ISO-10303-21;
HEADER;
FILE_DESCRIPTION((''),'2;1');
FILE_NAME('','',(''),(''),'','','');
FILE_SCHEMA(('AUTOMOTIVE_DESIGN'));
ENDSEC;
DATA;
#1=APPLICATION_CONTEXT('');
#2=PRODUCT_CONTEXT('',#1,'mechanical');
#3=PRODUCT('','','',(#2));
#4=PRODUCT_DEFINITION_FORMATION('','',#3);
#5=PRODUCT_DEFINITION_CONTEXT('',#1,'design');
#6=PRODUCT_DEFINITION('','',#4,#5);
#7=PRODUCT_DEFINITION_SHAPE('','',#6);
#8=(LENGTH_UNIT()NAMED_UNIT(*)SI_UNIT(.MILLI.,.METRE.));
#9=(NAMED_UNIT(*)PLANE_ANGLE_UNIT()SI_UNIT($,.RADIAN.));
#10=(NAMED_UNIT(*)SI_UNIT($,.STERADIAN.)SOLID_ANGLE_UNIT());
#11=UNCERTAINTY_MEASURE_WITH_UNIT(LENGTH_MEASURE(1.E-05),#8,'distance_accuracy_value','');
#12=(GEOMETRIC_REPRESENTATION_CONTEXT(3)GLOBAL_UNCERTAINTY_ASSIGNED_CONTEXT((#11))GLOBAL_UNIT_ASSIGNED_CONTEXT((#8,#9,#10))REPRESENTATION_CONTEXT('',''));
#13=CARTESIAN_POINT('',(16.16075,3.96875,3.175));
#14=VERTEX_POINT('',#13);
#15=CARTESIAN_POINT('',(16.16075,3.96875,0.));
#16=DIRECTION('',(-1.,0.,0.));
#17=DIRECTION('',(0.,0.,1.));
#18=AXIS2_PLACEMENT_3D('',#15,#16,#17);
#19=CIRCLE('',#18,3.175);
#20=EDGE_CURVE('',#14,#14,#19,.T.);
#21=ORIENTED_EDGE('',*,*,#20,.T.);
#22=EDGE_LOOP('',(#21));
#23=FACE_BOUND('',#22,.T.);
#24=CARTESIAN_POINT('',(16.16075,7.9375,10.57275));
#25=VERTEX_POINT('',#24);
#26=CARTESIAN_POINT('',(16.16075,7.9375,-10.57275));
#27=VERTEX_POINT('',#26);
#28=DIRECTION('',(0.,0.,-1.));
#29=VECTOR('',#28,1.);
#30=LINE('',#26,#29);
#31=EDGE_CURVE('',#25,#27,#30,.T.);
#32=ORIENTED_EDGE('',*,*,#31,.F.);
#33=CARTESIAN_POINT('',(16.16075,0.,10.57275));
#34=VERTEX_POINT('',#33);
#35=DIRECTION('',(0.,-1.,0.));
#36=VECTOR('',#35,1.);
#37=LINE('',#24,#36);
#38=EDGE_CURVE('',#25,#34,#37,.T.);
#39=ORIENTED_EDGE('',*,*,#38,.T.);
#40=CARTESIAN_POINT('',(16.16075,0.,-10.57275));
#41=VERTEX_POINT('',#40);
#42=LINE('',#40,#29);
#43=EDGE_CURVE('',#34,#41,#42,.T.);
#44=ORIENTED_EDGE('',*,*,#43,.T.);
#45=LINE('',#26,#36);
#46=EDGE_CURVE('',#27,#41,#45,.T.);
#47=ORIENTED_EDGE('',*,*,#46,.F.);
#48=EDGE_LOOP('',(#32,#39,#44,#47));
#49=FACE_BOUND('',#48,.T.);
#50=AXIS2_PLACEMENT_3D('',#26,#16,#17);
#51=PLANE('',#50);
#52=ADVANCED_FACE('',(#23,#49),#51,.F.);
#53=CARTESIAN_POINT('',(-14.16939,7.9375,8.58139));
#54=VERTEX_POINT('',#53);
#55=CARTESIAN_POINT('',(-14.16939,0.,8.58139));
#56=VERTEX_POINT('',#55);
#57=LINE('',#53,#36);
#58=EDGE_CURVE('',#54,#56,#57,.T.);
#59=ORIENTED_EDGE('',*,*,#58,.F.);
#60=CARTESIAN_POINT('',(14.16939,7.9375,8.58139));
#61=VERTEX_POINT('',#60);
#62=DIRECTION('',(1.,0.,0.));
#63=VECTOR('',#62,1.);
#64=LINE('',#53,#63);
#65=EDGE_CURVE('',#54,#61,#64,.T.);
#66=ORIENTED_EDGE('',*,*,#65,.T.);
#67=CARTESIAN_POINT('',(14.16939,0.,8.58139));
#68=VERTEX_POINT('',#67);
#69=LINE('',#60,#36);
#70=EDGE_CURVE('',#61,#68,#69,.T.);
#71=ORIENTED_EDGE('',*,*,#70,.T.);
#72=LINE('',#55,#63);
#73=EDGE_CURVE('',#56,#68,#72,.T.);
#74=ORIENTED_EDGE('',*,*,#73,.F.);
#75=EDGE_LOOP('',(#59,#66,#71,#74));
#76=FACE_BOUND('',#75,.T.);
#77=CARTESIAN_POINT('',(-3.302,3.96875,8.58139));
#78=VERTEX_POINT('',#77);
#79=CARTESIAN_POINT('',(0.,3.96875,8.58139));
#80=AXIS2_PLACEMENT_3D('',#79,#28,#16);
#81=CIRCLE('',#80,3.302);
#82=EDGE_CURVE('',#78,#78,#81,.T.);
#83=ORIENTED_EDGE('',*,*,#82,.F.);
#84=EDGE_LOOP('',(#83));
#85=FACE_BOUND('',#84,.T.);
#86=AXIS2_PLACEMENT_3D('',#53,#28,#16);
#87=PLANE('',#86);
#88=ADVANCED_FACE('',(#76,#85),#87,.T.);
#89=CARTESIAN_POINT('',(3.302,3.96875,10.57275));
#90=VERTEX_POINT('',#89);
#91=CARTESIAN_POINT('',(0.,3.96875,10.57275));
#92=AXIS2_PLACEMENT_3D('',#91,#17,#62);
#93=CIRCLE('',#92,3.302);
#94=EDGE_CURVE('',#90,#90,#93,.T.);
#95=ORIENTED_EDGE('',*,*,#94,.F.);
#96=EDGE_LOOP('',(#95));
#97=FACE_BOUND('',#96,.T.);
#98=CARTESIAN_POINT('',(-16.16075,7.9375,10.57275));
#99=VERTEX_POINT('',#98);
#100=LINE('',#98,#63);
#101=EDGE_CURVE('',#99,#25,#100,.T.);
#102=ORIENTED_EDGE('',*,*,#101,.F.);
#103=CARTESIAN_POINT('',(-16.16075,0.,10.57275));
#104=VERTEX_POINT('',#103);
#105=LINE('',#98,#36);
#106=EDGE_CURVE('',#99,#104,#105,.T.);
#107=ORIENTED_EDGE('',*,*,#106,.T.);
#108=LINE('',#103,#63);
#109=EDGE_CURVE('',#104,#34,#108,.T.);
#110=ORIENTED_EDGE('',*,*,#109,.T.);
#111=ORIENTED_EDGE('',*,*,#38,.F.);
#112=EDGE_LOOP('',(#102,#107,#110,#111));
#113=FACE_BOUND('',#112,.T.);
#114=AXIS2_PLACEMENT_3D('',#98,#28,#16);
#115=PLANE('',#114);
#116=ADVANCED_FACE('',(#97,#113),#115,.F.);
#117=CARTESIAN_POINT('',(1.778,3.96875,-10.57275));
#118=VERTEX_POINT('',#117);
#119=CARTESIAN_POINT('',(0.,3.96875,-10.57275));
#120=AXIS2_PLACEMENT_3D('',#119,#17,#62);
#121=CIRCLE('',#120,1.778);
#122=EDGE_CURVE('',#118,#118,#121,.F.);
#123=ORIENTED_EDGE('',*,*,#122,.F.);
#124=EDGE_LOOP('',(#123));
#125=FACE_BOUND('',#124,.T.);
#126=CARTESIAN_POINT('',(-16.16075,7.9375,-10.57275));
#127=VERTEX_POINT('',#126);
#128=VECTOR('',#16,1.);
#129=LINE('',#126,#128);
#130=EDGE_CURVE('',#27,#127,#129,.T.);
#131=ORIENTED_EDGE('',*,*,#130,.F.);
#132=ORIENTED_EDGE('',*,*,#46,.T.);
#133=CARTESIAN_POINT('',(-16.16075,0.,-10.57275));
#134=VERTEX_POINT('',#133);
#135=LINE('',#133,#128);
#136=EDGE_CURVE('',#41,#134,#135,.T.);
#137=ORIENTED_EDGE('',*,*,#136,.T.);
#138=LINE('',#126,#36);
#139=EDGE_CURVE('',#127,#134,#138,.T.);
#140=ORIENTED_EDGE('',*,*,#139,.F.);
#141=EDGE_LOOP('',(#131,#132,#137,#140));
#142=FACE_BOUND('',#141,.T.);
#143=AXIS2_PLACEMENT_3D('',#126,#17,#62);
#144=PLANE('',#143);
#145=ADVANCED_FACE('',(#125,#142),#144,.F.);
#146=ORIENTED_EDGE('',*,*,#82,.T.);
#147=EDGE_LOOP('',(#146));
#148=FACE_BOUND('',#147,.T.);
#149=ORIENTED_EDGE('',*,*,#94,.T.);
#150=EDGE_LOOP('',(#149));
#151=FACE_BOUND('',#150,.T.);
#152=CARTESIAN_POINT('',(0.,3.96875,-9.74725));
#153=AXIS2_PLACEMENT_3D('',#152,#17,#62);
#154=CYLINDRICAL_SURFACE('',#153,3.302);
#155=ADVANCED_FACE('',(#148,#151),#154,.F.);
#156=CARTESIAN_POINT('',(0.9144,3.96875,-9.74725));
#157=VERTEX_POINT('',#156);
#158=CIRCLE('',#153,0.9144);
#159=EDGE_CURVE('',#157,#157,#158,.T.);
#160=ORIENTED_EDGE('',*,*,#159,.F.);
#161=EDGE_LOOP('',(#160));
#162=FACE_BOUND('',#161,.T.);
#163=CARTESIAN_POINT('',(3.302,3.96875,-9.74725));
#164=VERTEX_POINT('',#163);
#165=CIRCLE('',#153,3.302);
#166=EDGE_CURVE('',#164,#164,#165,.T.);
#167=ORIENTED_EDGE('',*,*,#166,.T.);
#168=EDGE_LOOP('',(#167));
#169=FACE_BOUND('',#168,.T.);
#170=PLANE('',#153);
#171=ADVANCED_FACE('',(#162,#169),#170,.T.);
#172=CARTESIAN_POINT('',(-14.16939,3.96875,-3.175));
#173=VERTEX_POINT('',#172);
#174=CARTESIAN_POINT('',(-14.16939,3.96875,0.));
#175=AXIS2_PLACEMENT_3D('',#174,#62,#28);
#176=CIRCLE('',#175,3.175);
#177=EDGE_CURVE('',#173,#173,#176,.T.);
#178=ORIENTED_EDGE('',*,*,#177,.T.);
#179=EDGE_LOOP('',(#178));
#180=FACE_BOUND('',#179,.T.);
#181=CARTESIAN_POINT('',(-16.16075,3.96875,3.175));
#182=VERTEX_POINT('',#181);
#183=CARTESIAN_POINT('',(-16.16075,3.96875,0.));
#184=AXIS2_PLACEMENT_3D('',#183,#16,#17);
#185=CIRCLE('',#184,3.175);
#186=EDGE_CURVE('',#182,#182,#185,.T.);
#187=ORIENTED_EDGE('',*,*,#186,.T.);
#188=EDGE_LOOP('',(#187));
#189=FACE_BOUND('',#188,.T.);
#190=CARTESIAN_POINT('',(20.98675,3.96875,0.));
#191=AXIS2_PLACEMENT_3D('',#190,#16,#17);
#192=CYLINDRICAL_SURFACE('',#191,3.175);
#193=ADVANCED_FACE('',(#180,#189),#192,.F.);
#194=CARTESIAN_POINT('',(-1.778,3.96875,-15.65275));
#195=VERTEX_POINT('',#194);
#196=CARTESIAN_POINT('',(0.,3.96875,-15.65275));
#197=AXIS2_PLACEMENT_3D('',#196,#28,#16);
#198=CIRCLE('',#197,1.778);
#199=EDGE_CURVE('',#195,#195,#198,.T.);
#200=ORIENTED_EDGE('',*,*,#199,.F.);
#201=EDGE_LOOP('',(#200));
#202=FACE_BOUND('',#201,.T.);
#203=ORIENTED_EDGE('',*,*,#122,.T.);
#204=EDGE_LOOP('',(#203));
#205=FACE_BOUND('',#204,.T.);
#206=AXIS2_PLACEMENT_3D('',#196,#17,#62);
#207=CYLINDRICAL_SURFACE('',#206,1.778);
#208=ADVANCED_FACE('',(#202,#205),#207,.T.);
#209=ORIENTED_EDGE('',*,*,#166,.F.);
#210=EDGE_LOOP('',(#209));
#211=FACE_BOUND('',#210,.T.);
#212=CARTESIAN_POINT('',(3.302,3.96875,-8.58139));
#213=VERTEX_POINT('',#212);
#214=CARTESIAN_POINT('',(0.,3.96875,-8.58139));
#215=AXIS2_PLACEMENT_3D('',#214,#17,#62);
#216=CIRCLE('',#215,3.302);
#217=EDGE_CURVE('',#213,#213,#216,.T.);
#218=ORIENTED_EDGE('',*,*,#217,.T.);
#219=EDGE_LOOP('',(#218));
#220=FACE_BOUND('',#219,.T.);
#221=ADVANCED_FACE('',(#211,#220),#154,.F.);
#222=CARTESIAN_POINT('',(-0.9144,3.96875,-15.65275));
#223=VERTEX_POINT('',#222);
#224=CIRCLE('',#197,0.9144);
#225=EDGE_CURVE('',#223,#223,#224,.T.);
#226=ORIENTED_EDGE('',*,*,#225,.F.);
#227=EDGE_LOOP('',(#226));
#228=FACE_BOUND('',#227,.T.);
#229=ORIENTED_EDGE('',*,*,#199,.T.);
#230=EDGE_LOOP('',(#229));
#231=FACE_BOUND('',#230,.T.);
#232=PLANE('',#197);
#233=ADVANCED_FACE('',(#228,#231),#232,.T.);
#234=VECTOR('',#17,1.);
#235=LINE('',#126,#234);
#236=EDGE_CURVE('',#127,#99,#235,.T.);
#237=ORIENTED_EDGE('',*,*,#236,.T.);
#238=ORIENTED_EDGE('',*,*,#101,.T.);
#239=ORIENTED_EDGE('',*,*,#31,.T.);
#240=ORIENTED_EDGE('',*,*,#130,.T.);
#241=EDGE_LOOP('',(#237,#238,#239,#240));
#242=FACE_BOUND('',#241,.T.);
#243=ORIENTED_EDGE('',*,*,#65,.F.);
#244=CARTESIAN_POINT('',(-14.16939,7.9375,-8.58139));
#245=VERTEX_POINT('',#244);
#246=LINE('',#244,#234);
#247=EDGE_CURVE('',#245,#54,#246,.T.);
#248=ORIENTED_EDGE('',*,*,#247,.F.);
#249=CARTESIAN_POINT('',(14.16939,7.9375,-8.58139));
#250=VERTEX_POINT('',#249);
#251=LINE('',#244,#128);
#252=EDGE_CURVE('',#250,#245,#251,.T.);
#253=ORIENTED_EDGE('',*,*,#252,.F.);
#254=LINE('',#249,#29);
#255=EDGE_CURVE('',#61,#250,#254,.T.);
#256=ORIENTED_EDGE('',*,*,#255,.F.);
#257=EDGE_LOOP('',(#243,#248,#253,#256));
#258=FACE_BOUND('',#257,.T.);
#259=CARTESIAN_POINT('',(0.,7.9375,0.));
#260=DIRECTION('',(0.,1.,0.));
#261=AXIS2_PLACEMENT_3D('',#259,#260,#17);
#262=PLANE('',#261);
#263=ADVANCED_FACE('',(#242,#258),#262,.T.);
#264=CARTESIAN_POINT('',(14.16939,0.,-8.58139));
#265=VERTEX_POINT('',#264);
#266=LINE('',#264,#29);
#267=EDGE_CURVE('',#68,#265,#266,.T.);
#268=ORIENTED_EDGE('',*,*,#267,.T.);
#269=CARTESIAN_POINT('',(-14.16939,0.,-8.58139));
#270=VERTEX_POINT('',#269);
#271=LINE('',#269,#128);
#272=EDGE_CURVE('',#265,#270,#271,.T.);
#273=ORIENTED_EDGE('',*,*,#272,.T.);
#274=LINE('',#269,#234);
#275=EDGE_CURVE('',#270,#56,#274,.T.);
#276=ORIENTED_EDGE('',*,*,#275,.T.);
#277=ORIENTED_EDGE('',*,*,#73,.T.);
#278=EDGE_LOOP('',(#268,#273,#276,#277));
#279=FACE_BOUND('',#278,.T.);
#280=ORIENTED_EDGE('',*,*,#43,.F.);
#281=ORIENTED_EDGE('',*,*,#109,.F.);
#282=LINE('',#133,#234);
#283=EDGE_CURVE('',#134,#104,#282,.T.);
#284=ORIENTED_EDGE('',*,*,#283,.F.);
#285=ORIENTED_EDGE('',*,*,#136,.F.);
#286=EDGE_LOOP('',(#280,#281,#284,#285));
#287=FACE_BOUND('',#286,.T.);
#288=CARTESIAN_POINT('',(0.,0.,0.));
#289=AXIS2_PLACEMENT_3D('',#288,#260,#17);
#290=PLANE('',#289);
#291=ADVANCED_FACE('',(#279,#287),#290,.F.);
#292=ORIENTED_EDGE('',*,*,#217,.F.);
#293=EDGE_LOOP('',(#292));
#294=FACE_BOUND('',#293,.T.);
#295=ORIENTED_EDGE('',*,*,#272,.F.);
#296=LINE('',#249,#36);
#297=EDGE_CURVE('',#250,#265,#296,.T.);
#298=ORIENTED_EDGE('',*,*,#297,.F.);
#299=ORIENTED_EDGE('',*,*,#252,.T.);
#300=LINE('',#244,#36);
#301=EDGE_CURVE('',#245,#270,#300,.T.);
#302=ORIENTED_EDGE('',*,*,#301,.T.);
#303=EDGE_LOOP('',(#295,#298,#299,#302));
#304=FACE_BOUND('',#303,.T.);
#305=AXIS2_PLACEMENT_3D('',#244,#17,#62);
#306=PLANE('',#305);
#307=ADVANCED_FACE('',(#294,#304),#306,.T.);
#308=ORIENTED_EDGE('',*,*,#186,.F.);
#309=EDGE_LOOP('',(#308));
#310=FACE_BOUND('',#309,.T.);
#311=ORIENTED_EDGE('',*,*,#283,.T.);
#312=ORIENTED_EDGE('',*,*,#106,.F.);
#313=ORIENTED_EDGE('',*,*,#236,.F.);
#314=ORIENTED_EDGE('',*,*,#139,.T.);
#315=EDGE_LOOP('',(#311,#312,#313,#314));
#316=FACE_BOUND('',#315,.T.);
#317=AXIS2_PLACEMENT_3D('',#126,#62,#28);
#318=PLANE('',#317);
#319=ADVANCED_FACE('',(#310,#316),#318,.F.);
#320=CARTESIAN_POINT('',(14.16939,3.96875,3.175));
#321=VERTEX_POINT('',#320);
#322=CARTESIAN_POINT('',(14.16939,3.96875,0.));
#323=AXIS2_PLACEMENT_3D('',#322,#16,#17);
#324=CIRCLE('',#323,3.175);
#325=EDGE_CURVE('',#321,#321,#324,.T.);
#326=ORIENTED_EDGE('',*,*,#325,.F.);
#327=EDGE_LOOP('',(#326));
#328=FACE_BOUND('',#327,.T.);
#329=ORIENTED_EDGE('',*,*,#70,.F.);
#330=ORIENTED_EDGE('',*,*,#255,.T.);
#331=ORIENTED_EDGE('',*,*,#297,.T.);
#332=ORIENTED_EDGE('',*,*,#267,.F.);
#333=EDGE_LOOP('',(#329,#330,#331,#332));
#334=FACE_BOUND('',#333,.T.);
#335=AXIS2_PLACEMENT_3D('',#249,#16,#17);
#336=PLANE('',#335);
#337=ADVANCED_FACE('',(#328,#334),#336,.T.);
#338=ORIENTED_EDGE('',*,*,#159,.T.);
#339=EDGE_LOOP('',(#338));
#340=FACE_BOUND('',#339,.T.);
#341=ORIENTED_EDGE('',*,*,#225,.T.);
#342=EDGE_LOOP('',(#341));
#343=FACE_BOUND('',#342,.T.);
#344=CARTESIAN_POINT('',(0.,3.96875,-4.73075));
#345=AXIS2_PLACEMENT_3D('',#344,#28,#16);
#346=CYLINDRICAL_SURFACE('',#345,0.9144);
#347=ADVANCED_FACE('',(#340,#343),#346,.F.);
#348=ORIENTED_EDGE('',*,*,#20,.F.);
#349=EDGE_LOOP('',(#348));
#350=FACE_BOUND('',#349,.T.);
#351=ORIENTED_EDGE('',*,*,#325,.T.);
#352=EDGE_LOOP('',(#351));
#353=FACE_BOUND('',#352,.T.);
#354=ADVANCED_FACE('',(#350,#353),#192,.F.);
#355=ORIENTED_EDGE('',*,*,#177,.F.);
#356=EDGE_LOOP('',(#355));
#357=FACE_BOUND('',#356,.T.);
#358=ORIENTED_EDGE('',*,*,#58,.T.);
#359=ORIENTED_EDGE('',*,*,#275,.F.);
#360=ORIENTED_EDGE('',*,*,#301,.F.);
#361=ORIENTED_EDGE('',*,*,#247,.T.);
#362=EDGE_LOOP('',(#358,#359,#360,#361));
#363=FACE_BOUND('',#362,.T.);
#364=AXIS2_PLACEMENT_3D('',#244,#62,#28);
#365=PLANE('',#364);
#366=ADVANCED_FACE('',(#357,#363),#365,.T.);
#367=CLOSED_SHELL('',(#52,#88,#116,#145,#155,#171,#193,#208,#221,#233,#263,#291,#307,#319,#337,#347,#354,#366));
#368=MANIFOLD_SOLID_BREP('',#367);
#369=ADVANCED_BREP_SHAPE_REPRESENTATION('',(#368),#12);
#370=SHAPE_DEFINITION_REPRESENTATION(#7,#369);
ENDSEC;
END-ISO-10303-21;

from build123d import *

# Parameters (mm, degrees)
SKETCH1_W           = 32.3215
SKETCH1_H           = 21.1455
SKETCH1_W_2         = 28.33878
SKETCH1_H_2         = 17.16278
BOSS_EXTRUDE1_DEPTH = 7.9375
SKETCH2_R           = 3.175
CUT_EXTRUDE1_DEPTH  = 37.1475
SKETCH3_R           = 3.302
CUT_EXTRUDE2_DEPTH  = 20.32
SKETCH4_R           = 1.778
BOSS_EXTRUDE3_DEPTH = 5.08
SKETCH6_R           = 0.9144
CUT_EXTRUDE3_DEPTH  = 10.922


with BuildPart() as part:
    # Sketch1 → Boss-Extrude1 (new body)
    with BuildSketch(Plane(origin=(0, 0, 0), x_dir=(1, 0, 0), z_dir=(0, 1, 0))):
        Rectangle(SKETCH1_W, SKETCH1_H)
        Rectangle(SKETCH1_W_2, SKETCH1_H_2, mode=Mode.SUBTRACT)
    extrude(amount=BOSS_EXTRUDE1_DEPTH)

    # Sketch2 → Cut-Extrude1 (cut)
    with BuildSketch(Plane.ZY.offset(16.16075)):
        with Locations((0, 3.96875)):
            Circle(SKETCH2_R)
    extrude(amount=-CUT_EXTRUDE1_DEPTH, mode=Mode.SUBTRACT)

    # Sketch3 → Cut-Extrude2 (cut)
    with BuildSketch(Plane.XY.offset(10.57275)):
        with Locations((0, 3.96875)):
            Circle(SKETCH3_R)
    extrude(amount=-CUT_EXTRUDE2_DEPTH, mode=Mode.SUBTRACT)

    # Sketch4 → Boss-Extrude3 (add)
    with BuildSketch(Plane(origin=(0, 0, -10.57275), x_dir=(-1, 0, 0), z_dir=(0, 0, -1))):
        with Locations(Location((0, 3.96875, 0), (0, 0, 180))):
            Circle(SKETCH4_R)
    extrude(amount=BOSS_EXTRUDE3_DEPTH)

    # Sketch6 → Cut-Extrude3 (cut)
    with BuildSketch(Plane(origin=(0, 0, -15.65275), x_dir=(-1, 0, 0), z_dir=(0, 0, -1))):
        with Locations((0, 3.96875)):
            Circle(SKETCH6_R)
    extrude(amount=-CUT_EXTRUDE3_DEPTH, mode=Mode.SUBTRACT)


solid = part.part
